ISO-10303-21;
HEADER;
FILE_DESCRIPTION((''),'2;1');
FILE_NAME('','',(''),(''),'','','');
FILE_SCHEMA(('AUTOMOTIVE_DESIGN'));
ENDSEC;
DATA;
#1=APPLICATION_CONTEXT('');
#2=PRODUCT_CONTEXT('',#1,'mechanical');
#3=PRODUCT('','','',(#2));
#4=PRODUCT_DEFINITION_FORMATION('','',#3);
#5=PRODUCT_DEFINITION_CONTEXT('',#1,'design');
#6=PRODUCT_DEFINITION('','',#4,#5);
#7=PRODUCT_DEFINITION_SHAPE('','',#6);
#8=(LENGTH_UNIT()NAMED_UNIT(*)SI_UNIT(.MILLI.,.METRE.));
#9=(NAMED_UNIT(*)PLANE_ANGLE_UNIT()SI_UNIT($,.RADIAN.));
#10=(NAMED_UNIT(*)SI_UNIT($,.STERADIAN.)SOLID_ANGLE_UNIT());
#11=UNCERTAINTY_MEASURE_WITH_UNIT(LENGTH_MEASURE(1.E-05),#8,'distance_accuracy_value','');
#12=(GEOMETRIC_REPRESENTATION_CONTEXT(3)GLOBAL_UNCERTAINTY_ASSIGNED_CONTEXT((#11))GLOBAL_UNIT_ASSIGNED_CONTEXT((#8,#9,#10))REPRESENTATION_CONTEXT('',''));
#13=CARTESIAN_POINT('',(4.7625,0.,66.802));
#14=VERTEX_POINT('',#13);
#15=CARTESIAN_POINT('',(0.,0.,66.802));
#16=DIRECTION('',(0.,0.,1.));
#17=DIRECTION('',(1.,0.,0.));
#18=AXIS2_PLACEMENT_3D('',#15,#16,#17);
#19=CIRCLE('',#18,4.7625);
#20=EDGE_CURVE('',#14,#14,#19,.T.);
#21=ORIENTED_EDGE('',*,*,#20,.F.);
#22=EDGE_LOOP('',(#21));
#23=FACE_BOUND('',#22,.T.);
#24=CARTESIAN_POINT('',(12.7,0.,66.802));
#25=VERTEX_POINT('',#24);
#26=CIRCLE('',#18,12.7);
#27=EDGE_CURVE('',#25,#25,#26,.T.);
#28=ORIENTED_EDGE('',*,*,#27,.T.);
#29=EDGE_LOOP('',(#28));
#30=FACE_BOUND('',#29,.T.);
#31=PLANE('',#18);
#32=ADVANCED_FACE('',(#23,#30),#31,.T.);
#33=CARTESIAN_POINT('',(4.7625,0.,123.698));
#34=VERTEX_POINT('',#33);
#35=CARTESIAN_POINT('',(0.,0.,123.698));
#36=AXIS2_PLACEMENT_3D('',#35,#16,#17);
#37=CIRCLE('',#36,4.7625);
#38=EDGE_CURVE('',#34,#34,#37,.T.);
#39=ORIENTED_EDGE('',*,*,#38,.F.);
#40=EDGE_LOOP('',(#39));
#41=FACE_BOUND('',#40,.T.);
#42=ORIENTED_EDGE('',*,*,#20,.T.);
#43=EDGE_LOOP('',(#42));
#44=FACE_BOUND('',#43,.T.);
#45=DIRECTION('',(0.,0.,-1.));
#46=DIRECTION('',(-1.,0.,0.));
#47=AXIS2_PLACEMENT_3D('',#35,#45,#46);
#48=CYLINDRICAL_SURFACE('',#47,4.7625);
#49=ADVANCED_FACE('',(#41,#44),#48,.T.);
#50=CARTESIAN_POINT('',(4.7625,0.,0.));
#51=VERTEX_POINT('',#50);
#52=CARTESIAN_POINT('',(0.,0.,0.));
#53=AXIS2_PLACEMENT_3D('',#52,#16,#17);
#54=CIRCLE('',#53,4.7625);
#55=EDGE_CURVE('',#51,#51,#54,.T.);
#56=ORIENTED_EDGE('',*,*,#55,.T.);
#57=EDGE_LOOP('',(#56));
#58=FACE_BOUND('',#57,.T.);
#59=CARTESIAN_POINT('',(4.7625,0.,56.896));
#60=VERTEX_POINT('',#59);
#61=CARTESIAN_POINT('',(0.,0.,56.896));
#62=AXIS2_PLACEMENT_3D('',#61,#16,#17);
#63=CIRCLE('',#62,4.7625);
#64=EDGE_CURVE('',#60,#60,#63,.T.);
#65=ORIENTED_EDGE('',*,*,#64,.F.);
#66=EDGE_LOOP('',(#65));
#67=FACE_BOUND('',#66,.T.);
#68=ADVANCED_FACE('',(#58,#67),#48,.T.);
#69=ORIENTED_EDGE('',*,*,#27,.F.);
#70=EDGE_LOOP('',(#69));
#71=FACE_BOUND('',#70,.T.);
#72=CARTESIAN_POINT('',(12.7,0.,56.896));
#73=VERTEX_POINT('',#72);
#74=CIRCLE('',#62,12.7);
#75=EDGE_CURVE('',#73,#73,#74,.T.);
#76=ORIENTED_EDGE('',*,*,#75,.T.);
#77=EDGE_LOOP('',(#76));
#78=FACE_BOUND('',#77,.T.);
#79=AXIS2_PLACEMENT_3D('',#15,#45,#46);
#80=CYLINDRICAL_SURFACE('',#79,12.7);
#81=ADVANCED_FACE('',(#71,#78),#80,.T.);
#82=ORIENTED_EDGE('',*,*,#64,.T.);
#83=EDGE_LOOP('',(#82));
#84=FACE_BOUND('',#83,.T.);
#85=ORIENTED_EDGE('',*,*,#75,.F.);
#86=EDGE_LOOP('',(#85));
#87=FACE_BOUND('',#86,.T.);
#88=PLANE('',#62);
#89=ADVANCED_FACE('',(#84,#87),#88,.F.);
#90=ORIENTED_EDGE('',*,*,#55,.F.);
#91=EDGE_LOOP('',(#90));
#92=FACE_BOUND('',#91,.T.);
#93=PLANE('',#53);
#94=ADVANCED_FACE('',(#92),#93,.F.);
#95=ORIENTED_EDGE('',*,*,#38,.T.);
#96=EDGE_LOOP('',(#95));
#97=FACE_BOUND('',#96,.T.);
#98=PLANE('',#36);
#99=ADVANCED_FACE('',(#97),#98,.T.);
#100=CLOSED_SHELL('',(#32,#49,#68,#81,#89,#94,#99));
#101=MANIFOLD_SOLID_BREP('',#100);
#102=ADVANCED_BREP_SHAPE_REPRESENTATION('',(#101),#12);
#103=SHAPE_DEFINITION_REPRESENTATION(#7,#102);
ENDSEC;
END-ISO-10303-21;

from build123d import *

# Parameters (mm, degrees)
SKETCH1_R           = 4.7625
BOSS_EXTRUDE1_DEPTH = 123.698
SKETCH3_R           = 12.7
BOSS_EXTRUDE2_DEPTH = 4.953


with BuildPart() as part:
    # Sketch1 → Boss-Extrude1 (new body)
    with BuildSketch(Plane.XY):
        Circle(SKETCH1_R)
    extrude(amount=BOSS_EXTRUDE1_DEPTH)

    # Sketch3 → Boss-Extrude2 (add, symmetric)
    with BuildSketch(Plane.XY.offset(61.849)):
        Circle(SKETCH3_R)
    extrude(amount=BOSS_EXTRUDE2_DEPTH, both=True)


solid = part.part
